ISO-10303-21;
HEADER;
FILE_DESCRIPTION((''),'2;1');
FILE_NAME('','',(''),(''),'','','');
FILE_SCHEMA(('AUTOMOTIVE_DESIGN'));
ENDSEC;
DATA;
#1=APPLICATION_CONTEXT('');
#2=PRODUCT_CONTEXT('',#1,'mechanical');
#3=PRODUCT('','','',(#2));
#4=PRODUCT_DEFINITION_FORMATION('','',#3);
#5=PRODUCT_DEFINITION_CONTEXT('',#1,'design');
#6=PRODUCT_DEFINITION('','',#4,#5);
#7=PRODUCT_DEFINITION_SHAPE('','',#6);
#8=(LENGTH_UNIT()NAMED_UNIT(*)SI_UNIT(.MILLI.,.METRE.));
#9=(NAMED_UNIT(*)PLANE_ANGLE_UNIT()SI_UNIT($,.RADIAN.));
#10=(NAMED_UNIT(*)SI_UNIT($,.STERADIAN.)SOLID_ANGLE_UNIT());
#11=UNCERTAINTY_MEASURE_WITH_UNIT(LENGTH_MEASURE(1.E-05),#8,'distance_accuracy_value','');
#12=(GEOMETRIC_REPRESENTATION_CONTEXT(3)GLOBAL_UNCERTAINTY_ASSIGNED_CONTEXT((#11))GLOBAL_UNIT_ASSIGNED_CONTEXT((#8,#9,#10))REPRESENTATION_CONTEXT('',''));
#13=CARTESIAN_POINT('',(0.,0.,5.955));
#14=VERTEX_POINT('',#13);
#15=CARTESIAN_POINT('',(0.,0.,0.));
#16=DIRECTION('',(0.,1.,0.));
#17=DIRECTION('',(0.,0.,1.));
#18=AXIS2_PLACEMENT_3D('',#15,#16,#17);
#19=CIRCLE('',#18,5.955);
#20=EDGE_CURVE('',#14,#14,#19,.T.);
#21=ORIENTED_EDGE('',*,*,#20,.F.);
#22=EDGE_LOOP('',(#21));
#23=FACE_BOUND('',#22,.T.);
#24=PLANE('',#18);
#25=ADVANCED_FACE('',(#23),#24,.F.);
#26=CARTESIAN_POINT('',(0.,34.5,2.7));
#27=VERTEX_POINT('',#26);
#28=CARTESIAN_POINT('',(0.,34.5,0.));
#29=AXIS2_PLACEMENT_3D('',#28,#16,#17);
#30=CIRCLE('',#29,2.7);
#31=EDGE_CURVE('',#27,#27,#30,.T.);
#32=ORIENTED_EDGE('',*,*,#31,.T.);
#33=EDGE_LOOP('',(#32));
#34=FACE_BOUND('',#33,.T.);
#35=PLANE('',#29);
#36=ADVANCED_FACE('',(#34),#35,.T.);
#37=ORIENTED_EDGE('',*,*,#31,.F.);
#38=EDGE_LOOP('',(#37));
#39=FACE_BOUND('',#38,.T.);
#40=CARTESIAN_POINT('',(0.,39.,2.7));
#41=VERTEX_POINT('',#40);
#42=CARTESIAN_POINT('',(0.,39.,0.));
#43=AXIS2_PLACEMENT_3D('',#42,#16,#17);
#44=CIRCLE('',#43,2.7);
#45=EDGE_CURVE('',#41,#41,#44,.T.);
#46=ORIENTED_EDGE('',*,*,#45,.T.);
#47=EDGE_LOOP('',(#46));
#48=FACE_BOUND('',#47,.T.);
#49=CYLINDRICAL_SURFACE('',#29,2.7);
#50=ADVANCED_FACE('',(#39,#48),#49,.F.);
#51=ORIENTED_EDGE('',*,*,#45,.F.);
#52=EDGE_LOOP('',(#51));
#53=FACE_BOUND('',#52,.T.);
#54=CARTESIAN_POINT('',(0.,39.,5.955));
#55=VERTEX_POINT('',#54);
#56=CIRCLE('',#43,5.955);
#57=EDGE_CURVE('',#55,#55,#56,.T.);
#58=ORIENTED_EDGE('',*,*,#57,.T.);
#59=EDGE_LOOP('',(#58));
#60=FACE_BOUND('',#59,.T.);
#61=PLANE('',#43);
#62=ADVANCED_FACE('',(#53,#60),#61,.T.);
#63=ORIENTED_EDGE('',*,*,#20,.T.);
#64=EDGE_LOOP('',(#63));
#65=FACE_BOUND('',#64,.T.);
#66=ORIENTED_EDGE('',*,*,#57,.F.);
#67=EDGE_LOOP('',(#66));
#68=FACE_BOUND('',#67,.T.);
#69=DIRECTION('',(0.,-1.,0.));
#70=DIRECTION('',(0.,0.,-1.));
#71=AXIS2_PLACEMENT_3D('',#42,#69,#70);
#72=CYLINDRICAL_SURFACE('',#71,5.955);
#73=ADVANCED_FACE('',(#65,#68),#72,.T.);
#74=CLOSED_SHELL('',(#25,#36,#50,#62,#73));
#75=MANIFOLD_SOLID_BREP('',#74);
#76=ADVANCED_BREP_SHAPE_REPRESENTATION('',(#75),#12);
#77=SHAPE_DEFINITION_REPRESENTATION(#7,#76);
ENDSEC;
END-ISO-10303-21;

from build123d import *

# Parameters (mm, degrees)
SKETCH1_R           = 5.955
BOSS_EXTRUDE1_DEPTH = 39
SKETCH2_R           = 2.7
CUT_EXTRUDE1_DEPTH  = 4.5


with BuildPart() as part:
    # Sketch1 → Boss-Extrude1 (new body)
    with BuildSketch(Plane(origin=(0, 0, 0), x_dir=(1, 0, 0), z_dir=(0, 1, 0))):
        with Locations(Location((0, 0, 0), (0, 0, 270))):
            Circle(SKETCH1_R)
    extrude(amount=BOSS_EXTRUDE1_DEPTH)

    # Sketch2 → Cut-Extrude1 (cut)
    with BuildSketch(Plane(origin=(0, 39, 0), x_dir=(1, 0, 0), z_dir=(0, 1, 0))):
        with Locations(Location((0, 0, 0), (0, 0, 270))):
            Circle(SKETCH2_R)
    extrude(amount=-CUT_EXTRUDE1_DEPTH, mode=Mode.SUBTRACT)


solid = part.part
